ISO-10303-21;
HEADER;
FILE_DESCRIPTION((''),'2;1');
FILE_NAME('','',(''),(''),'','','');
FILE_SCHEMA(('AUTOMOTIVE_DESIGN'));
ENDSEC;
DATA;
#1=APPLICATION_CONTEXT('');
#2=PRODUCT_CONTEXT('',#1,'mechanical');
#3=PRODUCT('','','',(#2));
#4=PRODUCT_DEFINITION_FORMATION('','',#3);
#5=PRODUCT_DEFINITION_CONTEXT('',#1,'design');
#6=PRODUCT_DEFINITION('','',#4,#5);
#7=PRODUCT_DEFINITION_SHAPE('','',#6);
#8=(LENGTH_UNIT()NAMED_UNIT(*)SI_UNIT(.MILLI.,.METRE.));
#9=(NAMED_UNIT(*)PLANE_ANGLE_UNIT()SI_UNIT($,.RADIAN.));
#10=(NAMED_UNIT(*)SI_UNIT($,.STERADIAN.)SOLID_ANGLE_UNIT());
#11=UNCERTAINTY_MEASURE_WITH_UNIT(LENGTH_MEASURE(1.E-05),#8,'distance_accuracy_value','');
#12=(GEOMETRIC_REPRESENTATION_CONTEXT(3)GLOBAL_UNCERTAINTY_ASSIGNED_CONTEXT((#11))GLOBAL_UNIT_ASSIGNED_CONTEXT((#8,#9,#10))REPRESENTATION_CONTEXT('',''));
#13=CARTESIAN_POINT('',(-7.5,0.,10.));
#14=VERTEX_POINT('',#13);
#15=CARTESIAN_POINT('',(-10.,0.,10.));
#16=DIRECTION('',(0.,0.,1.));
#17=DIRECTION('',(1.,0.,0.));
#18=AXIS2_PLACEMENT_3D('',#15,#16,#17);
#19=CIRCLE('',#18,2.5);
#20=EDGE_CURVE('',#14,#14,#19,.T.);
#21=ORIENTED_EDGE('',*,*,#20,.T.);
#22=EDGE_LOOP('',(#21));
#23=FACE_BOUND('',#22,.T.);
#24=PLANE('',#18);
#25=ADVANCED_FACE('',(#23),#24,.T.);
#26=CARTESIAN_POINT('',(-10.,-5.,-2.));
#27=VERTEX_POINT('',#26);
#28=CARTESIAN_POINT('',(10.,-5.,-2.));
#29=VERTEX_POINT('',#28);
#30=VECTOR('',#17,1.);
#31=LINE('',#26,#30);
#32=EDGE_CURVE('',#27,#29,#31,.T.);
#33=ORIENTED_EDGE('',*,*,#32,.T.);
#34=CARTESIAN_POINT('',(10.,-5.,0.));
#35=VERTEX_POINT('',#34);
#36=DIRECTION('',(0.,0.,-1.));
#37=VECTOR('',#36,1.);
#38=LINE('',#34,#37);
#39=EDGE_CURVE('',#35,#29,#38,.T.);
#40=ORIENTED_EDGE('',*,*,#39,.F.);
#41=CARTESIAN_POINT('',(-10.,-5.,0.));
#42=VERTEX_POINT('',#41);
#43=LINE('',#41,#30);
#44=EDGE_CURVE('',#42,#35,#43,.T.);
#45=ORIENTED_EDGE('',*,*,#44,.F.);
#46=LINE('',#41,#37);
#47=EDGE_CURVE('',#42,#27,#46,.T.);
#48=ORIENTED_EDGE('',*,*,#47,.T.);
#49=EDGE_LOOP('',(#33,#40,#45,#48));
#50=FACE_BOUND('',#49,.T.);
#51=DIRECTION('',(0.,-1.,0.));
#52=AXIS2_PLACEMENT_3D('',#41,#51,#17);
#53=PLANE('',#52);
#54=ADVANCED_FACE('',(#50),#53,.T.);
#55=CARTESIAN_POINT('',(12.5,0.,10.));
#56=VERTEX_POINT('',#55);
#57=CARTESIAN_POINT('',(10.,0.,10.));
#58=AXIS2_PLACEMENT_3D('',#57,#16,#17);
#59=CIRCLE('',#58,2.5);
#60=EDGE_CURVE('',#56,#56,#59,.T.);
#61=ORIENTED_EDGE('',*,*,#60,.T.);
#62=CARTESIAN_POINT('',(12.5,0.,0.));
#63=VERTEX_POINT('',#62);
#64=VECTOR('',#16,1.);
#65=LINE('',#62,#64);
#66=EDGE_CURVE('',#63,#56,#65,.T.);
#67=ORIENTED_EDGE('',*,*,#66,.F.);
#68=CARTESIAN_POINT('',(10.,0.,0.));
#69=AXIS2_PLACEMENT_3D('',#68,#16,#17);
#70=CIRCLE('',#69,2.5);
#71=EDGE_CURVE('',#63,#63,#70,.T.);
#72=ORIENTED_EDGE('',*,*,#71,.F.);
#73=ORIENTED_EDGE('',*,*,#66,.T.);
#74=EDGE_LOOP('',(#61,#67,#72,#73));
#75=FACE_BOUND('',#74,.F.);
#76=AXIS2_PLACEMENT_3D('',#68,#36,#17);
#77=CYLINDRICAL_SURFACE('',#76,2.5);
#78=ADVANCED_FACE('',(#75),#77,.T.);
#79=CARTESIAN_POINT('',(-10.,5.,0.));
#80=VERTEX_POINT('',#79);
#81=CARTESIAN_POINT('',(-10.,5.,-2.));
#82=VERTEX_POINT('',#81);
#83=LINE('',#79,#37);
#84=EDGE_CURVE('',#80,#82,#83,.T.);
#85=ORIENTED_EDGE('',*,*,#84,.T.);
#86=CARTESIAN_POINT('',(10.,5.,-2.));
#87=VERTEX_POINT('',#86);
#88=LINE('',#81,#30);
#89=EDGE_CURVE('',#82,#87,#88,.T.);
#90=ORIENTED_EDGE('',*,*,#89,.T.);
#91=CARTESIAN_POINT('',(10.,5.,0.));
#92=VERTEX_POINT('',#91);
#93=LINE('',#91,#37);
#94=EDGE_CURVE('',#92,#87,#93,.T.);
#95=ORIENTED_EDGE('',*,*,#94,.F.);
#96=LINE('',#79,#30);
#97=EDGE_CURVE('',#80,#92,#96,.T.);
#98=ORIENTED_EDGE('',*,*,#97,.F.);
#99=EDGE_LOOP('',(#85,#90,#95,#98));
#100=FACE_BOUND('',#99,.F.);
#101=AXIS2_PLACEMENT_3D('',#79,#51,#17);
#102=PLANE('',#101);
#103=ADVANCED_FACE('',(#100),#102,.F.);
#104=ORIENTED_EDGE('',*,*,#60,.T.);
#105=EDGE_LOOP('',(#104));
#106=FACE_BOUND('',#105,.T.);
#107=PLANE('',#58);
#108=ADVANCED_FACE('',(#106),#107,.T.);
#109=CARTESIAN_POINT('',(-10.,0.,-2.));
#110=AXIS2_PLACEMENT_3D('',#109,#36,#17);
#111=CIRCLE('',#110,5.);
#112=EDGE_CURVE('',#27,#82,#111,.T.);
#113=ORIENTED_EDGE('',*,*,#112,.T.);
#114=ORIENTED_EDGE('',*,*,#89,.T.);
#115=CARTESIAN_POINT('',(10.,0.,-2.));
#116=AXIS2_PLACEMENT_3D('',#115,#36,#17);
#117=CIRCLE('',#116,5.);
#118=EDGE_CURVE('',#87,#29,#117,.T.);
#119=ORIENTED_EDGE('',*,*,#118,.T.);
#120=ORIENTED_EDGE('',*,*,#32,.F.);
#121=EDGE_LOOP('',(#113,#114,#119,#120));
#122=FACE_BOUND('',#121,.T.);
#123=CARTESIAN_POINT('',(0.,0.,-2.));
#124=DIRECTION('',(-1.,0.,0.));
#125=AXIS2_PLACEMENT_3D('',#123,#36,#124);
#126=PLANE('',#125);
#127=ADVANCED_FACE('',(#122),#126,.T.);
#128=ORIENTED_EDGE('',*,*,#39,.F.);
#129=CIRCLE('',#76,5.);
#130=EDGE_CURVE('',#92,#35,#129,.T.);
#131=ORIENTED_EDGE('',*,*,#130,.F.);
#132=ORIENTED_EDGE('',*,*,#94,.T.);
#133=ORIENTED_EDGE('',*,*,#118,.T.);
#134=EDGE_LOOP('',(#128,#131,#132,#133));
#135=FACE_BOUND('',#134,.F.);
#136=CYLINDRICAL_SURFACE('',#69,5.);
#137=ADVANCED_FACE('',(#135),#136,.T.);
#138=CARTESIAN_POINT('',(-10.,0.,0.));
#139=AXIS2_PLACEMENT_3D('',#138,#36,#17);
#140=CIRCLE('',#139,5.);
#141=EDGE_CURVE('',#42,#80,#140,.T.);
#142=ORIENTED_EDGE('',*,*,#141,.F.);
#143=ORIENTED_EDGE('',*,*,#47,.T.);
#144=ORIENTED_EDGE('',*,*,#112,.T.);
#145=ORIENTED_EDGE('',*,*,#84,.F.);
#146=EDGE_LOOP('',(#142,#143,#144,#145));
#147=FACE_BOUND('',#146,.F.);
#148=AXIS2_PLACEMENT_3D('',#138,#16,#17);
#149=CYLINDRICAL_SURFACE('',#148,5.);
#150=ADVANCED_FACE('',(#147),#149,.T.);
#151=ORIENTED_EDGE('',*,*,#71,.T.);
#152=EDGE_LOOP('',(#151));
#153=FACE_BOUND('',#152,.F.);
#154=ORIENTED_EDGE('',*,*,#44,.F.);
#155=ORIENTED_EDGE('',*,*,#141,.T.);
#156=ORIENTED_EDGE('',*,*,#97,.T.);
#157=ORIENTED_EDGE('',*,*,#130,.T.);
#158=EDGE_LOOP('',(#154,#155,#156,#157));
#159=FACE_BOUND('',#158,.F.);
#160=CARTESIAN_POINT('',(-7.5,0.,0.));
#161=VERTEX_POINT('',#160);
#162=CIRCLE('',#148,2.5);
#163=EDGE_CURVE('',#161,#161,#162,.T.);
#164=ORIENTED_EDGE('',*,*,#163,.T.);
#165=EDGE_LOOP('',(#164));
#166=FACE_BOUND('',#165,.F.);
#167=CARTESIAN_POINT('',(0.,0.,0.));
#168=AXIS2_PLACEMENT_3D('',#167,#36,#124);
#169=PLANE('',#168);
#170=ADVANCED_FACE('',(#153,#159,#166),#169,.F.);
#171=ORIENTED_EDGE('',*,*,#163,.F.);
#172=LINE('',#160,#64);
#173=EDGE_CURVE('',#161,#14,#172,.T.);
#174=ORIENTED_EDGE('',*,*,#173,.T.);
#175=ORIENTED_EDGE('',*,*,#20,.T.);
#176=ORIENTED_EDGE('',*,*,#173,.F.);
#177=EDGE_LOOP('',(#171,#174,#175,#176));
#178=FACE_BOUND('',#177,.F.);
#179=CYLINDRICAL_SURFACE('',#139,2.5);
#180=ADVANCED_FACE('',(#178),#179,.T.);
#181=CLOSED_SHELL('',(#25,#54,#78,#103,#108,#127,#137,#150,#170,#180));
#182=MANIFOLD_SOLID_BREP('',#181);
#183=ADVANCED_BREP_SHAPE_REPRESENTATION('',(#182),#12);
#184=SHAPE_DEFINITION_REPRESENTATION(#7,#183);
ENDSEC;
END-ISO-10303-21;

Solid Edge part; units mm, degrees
sketch "Sketch1" plane through (0, 0, 0) normal (0, 0, 1) x (1, 0, 0)
  line L0 (-10, 5) -> (10, 5)
  line L1 (-10, -5) -> (10, -5)
  arc A0 (-10, -5) -> (-10, 5) centre (-10, 0) cw
  arc A1 (10, 5) -> (10, -5) centre (10, 0) cw
extrude "Protrusion1" add sketch "Sketch1" against normal blind 2
sketch "Sketch2" plane through (0, 0, 0) normal (0, 0, 1) x (1, 0, 0)
  circle A0 centre (-10, 0) radius 2.5
  circle A1 centre (10, 0) radius 2.5
  dimension "D1" = 5
  dimension "D2" = 10
  dimension "D3" = 20
extrude "ExtrudedProtrusion_2" add sketch "Sketch2" along normal blind 10
